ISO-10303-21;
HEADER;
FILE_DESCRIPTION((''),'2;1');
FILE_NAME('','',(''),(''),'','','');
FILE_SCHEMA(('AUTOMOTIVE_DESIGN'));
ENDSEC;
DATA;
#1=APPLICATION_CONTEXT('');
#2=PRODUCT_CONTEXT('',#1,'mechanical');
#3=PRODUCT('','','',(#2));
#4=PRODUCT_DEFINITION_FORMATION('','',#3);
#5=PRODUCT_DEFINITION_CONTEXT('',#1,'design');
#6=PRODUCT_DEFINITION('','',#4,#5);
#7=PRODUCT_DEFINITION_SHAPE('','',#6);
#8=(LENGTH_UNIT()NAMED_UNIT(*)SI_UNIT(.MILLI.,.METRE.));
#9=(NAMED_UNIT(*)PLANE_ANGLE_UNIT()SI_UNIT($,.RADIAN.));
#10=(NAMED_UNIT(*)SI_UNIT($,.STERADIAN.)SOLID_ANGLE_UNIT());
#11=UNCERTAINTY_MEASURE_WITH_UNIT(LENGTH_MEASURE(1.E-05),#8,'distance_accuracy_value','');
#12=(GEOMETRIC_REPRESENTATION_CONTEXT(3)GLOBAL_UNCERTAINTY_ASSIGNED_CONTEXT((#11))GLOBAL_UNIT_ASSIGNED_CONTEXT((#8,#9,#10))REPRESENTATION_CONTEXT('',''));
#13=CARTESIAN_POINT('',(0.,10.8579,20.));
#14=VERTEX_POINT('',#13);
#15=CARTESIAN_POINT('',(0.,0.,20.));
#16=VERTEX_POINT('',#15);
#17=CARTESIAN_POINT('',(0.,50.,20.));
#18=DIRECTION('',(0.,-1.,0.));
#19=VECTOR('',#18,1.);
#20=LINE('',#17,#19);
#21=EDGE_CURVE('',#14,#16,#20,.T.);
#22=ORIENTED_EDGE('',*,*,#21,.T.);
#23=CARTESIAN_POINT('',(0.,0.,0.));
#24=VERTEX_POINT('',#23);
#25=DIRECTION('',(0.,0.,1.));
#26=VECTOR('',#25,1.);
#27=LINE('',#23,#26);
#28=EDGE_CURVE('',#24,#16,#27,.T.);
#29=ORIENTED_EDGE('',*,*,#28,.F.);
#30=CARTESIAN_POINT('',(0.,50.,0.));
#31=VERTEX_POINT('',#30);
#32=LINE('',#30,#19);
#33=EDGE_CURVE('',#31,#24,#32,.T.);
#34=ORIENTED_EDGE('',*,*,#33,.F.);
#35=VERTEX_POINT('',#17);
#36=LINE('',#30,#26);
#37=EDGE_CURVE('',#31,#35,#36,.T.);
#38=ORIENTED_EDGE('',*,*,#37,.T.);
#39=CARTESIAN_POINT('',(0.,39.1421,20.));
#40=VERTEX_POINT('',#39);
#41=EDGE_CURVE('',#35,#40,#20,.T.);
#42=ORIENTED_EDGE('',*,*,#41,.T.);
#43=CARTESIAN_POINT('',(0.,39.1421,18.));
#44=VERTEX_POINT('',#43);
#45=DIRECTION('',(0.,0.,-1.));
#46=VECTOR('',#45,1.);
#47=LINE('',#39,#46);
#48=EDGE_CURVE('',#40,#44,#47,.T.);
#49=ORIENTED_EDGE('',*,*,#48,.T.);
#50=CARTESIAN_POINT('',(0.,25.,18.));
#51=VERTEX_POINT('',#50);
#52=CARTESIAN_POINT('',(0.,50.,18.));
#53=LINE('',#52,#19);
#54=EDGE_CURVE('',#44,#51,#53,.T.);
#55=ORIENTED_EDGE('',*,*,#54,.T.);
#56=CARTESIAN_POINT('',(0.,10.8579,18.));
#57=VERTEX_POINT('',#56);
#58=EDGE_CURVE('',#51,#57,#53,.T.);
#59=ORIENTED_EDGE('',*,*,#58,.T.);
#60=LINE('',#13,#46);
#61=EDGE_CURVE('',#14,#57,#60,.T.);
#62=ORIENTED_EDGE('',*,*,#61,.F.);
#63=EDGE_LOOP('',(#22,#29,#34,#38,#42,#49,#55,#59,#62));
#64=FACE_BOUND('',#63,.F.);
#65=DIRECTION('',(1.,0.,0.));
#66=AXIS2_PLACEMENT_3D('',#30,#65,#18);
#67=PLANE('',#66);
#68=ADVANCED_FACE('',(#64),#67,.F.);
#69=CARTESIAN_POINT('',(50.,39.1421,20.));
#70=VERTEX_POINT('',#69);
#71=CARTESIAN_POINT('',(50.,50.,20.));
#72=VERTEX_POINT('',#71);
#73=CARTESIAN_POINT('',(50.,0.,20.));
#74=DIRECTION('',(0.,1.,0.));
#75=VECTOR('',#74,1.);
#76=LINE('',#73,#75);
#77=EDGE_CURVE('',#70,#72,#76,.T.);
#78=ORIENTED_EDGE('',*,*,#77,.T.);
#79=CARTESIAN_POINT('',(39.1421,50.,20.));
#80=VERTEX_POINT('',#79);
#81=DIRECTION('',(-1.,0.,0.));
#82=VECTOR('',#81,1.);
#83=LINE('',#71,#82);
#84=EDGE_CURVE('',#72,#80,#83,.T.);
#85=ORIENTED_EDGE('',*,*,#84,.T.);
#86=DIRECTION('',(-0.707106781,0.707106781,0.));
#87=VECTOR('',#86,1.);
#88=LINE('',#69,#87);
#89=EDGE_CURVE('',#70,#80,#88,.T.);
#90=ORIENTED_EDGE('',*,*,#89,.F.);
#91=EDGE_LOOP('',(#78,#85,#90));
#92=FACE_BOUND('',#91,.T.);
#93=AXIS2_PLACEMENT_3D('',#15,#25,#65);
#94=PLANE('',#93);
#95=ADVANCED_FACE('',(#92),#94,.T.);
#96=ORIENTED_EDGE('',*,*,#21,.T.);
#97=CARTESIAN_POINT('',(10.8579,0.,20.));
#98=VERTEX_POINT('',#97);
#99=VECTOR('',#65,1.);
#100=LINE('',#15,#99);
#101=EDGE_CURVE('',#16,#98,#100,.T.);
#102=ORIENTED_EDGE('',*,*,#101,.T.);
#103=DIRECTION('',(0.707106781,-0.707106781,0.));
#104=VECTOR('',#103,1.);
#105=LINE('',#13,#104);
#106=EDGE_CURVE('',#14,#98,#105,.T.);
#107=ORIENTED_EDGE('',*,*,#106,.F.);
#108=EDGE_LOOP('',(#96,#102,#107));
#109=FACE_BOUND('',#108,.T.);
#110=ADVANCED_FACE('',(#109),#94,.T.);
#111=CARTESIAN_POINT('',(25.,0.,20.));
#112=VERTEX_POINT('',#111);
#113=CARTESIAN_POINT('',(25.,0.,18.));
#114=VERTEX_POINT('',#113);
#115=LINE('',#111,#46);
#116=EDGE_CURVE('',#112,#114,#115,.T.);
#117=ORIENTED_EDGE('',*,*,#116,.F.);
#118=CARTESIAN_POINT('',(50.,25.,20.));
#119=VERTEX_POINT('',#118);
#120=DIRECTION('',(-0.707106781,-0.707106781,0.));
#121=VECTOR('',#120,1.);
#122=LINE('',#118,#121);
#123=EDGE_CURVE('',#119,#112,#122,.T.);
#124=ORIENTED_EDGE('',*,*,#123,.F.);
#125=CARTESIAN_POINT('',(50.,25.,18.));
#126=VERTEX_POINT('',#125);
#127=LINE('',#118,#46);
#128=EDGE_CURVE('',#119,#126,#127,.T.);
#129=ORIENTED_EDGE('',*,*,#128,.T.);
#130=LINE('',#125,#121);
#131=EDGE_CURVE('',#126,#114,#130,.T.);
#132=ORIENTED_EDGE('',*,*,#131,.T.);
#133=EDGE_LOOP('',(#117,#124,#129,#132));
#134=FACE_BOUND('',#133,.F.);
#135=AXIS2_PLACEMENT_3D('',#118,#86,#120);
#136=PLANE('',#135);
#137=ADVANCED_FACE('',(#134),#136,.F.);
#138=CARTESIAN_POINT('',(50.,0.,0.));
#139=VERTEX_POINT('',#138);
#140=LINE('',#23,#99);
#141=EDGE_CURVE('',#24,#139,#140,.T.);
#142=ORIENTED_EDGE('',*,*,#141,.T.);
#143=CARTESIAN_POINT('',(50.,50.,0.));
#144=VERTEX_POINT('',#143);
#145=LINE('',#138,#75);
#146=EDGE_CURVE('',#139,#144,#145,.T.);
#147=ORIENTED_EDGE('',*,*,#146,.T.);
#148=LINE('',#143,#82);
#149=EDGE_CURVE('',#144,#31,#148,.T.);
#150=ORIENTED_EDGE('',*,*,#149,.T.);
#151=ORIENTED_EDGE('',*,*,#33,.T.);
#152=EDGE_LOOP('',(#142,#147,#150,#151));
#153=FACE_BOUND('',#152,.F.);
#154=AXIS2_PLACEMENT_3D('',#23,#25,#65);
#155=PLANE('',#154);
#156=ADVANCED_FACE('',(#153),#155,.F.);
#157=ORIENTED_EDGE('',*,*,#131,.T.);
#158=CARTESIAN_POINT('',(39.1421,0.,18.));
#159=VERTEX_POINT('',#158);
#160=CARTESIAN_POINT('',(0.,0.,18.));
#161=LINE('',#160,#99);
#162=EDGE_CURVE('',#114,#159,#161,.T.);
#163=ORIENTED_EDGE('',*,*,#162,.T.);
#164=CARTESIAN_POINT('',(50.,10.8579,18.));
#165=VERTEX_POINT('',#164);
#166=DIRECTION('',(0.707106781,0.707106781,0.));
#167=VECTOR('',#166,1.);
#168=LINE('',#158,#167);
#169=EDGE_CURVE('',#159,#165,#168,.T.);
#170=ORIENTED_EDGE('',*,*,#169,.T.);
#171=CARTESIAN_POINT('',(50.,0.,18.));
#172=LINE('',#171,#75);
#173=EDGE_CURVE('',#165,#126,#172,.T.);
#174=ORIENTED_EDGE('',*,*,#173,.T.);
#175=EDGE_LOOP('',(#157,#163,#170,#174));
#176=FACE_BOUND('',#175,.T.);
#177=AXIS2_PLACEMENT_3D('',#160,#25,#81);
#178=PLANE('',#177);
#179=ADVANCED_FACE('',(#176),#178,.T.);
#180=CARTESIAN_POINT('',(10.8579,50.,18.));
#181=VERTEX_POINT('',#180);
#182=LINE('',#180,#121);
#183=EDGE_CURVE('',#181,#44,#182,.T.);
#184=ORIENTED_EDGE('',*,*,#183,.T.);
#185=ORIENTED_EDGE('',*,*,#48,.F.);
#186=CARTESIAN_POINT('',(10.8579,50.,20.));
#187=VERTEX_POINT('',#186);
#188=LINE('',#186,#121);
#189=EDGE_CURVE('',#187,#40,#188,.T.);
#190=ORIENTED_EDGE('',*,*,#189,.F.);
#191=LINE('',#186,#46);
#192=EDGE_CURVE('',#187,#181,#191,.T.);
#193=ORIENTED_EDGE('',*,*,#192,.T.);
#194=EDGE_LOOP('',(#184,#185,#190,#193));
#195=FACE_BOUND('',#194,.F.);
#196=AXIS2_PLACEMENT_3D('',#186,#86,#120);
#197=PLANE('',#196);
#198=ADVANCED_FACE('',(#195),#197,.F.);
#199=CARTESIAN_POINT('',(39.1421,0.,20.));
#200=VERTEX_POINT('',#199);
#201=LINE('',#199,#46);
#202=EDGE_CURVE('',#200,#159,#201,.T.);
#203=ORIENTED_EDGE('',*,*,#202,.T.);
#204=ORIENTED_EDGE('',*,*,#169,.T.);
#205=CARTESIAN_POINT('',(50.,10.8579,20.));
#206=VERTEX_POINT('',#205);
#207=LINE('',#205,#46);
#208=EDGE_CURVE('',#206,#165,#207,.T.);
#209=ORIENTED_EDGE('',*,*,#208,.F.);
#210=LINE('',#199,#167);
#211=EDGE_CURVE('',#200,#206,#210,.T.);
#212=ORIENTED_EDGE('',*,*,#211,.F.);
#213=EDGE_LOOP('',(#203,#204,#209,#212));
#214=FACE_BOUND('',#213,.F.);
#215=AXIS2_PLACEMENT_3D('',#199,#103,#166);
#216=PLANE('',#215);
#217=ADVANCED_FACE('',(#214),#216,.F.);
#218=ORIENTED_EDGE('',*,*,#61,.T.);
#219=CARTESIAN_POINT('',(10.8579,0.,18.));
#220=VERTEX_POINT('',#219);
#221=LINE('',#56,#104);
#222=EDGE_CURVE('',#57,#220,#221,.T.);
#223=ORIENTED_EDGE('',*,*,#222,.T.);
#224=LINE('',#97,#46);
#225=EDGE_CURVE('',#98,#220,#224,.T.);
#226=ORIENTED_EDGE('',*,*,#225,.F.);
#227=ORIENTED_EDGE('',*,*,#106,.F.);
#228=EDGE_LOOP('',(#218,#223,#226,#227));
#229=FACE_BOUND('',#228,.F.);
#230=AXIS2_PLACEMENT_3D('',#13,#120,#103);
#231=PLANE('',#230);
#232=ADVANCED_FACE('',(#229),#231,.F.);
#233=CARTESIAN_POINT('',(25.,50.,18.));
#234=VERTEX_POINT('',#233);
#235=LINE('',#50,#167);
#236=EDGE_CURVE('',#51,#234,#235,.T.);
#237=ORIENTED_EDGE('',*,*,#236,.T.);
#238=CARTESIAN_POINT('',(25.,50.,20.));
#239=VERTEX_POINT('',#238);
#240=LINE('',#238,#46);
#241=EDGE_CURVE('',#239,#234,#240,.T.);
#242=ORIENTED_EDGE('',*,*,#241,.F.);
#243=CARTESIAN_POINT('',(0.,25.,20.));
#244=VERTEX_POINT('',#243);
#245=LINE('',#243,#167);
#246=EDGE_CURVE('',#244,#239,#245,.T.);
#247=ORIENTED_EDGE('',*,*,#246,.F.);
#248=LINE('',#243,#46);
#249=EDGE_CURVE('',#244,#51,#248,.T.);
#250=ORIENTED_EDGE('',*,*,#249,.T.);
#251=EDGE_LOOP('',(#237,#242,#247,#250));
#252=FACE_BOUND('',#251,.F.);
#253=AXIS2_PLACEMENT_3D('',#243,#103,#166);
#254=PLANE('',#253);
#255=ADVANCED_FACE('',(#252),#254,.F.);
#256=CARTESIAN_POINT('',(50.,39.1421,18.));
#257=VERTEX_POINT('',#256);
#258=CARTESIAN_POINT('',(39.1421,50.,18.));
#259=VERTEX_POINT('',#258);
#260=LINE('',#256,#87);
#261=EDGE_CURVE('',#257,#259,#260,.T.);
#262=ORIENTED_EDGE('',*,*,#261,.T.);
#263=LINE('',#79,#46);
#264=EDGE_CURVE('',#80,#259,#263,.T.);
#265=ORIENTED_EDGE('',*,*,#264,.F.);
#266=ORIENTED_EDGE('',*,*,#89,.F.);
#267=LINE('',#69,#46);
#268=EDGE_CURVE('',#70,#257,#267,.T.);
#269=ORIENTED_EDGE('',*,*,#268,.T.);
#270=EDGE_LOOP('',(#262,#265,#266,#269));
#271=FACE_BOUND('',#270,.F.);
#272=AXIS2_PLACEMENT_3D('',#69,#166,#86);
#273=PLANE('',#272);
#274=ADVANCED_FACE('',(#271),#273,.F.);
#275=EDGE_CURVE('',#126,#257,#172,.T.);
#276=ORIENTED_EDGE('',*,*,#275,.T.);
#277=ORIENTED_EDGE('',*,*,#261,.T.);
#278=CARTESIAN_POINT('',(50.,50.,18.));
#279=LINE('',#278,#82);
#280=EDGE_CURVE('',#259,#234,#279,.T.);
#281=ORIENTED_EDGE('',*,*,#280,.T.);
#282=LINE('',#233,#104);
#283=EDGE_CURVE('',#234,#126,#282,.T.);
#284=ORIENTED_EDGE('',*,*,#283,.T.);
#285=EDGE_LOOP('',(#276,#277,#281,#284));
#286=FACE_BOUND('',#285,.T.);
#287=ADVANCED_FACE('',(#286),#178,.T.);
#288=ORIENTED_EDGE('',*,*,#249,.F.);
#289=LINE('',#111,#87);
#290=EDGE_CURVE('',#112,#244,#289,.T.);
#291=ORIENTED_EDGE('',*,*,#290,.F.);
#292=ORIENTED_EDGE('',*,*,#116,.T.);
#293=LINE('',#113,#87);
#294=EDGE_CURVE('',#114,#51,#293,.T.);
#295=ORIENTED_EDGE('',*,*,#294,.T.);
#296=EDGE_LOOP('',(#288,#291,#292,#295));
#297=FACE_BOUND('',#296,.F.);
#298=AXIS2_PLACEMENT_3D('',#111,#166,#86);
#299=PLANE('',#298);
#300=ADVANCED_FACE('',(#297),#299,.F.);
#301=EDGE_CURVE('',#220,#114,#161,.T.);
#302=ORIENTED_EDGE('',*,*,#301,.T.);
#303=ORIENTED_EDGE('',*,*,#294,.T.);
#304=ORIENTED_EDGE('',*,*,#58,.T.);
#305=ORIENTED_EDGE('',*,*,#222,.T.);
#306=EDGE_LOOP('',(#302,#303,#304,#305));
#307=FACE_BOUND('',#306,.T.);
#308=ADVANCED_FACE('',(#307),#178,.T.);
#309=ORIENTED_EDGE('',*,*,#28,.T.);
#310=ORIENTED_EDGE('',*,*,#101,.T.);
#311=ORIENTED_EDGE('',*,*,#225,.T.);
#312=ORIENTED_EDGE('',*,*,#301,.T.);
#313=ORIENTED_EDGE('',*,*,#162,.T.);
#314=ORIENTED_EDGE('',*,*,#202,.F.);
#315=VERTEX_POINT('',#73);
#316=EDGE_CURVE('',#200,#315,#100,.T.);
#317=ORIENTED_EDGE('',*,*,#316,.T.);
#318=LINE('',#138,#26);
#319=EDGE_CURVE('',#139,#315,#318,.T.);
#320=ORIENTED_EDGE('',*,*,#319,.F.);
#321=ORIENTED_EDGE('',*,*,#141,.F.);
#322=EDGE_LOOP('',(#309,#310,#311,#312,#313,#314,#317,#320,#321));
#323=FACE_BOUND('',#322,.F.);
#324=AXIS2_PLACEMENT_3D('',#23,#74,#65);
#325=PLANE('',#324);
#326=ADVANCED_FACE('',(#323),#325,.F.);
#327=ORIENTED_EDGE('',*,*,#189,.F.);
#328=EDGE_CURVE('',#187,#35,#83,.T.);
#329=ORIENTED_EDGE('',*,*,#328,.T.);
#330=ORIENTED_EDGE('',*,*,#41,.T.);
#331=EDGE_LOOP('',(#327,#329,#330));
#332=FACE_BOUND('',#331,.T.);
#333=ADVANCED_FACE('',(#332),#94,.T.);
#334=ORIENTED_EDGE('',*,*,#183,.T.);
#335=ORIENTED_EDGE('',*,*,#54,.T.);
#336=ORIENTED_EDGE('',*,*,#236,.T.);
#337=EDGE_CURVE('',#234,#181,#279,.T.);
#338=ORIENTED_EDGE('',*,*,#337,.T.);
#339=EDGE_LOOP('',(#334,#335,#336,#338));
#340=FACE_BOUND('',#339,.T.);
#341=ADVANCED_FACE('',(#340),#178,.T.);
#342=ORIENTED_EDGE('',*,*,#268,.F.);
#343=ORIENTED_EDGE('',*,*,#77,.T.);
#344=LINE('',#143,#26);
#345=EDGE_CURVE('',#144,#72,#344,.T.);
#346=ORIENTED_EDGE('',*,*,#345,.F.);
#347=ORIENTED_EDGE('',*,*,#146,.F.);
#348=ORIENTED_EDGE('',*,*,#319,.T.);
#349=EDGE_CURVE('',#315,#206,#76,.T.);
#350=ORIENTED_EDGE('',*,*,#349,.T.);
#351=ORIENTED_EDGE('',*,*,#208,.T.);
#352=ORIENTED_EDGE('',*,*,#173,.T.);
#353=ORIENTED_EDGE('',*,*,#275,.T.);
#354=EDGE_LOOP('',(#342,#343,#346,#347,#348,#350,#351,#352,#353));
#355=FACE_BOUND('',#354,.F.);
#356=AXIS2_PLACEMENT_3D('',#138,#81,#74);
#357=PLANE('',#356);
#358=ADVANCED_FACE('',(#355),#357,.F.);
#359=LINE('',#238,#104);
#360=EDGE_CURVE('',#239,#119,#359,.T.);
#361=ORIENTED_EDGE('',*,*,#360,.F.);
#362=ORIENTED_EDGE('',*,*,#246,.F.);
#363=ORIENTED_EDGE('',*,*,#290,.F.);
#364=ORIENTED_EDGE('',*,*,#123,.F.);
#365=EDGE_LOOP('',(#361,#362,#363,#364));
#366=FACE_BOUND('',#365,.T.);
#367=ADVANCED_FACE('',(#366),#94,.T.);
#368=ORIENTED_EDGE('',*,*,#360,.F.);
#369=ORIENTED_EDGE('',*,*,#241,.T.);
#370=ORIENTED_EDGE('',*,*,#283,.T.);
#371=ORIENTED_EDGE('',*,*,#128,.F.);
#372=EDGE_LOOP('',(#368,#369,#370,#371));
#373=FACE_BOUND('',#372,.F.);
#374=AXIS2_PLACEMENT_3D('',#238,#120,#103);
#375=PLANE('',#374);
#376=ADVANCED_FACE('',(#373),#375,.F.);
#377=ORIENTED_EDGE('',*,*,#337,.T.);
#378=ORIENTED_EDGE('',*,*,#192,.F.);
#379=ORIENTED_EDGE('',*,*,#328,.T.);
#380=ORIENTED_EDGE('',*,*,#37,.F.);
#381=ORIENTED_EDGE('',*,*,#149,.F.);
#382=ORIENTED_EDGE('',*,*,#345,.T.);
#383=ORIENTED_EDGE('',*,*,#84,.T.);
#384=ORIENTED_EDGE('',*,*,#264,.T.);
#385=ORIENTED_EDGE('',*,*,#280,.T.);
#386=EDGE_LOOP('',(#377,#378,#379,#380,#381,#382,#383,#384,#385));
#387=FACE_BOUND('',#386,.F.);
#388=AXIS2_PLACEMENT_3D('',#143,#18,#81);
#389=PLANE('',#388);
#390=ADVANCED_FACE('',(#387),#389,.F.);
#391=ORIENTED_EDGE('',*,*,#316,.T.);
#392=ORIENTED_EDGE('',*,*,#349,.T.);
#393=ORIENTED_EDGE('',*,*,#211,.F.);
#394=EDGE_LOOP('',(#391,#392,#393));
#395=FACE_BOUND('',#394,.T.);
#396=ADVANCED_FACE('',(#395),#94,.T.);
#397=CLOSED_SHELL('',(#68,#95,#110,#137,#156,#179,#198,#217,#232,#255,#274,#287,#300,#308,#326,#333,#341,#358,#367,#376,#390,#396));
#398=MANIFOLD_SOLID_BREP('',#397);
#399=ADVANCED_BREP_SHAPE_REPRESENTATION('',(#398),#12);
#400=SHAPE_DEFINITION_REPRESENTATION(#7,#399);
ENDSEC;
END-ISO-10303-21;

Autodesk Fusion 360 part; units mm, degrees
sketch "Sketch1" plane through (0, 0, 0) normal (0, 0, 1) x (1, 0, 0)
  line L0 (0, 0) -> (50, 0)
  line L1 (50, 0) -> (50, 50)
  line L2 (50, 50) -> (0, 50)
  line L3 (0, 50) -> (0, 0)
  dimension "d1" = 50
  dimension "d2" = 50
extrude "Extrude1" add sketch "Sketch1" along normal blind 20
sketch "Sketch2" plane through (0, 0, 20) normal (0, 0, 1) x (-1, 0, 0)
  line L0 (0, -50) -> (0, 0)
  line L1 (0, 0) -> (-50, 0)
  line L2 (-50, 0) -> (-50, -50)
  line L3 (-50, -50) -> (0, -50)
  line L4 (-25, 0) -> (0, -25)
  line L5 (0, -25) -> (-25, -50)
  line L6 (-25, -50) -> (-50, -25)
  line L7 (-50, -25) -> (-25, 0)
  line L8 (0, -10.8579) -> (-10.8579, 0)
  line L9 (-39.1421, 0) -> (-50, -10.8579)
  line L10 (-50, -39.1421) -> (-39.1421, -50)
  line L11 (-10.8579, -50) -> (0, -39.1421)
  line L12 (0, -10.8579) -> (0, -39.1421)
  line L13 (-10.8579, -50) -> (-39.1421, -50)
  line L14 (-50, -39.1421) -> (-50, -10.8579)
  line L15 (-39.1421, 0) -> (-10.8579, 0)
  dimension "d5" = 10
  dimension "d6" = 10
  dimension "d7" = 10
  dimension "d8" = 10
extrude "Extrude2" cut sketch "Sketch2" against normal blind 2 contours L0 L3 L5 L11 L12 L13 | L0 L1 L4 L8 L12 L15 | L2 L3 L6 L10 L13 L14 | L1 L2 L7 L9 L14 L15
sketch "Sketch3" plane through (0, 0, 0) normal (0, 0, 1) x (1, 0, 0)
